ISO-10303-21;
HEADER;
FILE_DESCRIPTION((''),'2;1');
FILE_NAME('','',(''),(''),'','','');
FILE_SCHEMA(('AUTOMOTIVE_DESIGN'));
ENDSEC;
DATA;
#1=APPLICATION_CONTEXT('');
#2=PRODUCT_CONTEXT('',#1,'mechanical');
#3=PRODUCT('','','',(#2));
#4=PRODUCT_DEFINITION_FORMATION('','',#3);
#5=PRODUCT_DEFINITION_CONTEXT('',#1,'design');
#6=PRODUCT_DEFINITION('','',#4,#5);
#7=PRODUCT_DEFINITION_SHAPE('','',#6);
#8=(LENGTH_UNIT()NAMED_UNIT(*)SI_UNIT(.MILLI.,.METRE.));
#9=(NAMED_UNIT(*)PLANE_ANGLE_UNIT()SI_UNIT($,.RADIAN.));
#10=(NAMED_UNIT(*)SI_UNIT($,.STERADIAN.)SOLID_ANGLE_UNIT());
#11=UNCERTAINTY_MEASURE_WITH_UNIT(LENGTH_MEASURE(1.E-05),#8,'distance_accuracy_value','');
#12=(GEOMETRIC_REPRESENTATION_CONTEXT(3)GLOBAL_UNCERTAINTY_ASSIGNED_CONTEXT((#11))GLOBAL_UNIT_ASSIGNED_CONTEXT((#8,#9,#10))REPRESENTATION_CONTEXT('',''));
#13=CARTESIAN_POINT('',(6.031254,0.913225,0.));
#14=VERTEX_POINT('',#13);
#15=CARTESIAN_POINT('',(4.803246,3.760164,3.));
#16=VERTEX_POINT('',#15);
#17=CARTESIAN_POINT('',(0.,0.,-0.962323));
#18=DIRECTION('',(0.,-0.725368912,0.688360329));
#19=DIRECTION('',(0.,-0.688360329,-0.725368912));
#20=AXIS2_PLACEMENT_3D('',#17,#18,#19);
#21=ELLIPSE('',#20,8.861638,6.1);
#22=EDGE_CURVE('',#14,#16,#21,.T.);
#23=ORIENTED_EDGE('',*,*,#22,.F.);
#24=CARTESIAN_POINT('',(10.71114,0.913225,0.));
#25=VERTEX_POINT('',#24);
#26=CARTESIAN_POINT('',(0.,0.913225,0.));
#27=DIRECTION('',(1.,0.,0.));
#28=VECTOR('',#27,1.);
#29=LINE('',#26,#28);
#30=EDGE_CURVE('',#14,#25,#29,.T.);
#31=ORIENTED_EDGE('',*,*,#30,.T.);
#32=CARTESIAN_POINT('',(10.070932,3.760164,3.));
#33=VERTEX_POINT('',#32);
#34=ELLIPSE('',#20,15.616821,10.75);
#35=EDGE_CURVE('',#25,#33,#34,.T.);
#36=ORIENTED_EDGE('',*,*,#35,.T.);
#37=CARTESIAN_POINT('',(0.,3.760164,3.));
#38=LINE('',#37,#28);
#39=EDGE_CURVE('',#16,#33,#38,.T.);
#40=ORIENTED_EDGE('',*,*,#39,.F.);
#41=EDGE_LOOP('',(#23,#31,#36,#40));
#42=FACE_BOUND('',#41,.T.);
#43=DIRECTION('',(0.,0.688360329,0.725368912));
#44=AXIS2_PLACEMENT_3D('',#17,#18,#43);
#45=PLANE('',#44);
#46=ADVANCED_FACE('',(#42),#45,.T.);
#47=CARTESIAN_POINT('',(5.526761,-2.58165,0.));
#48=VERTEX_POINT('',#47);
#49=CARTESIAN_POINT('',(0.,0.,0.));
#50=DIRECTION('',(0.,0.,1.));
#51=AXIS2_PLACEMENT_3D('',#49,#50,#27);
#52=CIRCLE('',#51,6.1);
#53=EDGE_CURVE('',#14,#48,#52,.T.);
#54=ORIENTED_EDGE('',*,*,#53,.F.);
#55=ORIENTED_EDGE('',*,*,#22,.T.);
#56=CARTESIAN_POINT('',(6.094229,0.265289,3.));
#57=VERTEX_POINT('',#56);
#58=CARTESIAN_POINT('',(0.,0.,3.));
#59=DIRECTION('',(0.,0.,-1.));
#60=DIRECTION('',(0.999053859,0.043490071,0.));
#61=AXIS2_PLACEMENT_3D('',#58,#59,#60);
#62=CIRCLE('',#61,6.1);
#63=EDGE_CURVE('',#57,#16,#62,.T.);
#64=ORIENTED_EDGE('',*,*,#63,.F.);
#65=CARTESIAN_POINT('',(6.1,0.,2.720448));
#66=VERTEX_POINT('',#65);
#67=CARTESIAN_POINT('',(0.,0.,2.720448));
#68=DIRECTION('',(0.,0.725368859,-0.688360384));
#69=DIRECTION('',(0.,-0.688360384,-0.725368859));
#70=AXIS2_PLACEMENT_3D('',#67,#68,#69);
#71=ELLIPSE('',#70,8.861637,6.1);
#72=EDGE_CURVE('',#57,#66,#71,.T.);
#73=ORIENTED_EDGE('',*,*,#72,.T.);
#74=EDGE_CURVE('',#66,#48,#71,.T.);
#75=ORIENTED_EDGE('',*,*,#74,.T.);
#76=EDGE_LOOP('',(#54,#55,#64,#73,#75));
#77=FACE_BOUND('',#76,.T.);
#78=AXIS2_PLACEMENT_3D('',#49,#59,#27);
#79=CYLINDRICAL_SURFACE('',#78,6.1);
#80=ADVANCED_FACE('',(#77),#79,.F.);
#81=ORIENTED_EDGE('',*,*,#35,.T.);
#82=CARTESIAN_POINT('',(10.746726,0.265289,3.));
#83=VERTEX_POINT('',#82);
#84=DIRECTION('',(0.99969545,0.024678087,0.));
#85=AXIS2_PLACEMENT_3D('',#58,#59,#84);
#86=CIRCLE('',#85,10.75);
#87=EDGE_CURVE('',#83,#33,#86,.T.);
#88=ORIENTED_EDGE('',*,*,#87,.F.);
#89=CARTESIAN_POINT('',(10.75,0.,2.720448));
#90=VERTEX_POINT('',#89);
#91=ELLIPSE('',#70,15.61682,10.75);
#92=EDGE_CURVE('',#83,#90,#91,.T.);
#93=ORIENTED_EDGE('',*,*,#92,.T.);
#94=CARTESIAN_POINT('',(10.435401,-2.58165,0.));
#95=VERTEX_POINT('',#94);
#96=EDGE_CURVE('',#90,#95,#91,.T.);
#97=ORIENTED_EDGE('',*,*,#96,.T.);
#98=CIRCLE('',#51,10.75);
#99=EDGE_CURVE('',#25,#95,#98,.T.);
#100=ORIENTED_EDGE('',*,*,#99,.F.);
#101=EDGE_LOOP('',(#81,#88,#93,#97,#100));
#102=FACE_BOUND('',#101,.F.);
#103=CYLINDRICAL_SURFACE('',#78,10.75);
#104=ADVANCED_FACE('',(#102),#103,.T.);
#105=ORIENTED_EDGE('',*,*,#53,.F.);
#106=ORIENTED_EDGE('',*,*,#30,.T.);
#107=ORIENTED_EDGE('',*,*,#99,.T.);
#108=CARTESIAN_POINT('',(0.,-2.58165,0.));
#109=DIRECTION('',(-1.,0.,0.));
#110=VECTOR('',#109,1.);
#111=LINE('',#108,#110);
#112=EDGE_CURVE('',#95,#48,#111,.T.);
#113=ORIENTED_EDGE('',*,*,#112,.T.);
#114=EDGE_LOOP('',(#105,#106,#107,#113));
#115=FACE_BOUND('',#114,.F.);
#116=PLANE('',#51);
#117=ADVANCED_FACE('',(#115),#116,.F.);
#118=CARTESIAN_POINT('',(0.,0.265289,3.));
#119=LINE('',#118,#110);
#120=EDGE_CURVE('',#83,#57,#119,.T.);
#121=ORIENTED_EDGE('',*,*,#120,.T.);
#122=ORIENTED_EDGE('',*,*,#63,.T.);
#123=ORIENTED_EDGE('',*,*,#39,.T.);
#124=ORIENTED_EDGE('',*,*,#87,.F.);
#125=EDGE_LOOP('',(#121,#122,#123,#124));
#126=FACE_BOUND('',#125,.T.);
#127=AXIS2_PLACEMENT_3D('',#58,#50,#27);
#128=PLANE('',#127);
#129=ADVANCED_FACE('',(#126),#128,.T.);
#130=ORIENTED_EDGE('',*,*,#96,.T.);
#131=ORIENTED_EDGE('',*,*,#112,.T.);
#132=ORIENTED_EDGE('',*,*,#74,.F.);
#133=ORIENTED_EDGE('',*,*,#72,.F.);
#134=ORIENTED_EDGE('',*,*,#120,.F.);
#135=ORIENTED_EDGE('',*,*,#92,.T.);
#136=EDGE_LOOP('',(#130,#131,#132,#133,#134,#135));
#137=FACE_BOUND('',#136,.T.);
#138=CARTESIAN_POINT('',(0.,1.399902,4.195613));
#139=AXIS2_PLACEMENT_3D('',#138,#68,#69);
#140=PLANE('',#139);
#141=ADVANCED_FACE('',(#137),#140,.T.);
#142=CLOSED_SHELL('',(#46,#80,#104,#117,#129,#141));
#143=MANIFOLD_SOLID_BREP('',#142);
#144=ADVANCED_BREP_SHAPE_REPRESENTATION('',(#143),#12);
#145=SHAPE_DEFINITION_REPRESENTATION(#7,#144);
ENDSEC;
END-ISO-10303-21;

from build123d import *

# Parameters (mm, degrees)
F0_R     = 10.75
F0_R_2   = 6.1
F1_DEPTH = 3
F3_DEPTH = 25


with BuildPart() as f1:
    # F0 (on Top) → F1 (new body)
    with BuildSketch(Plane.XY):
        Circle(F0_R)
        Circle(F0_R_2, mode=Mode.SUBTRACT)
    extrude(amount=F1_DEPTH)

    # F2 (on Right) → F3 (cut)
    with BuildSketch(Plane.YZ):
        Polygon((4.199568, 3.463028), (1.399902, 4.195613), (-3.494875, -0.962323), (0, -0.962323), align=None)
    extrude(amount=F3_DEPTH, mode=Mode.SUBTRACT)


solid = f1.part
